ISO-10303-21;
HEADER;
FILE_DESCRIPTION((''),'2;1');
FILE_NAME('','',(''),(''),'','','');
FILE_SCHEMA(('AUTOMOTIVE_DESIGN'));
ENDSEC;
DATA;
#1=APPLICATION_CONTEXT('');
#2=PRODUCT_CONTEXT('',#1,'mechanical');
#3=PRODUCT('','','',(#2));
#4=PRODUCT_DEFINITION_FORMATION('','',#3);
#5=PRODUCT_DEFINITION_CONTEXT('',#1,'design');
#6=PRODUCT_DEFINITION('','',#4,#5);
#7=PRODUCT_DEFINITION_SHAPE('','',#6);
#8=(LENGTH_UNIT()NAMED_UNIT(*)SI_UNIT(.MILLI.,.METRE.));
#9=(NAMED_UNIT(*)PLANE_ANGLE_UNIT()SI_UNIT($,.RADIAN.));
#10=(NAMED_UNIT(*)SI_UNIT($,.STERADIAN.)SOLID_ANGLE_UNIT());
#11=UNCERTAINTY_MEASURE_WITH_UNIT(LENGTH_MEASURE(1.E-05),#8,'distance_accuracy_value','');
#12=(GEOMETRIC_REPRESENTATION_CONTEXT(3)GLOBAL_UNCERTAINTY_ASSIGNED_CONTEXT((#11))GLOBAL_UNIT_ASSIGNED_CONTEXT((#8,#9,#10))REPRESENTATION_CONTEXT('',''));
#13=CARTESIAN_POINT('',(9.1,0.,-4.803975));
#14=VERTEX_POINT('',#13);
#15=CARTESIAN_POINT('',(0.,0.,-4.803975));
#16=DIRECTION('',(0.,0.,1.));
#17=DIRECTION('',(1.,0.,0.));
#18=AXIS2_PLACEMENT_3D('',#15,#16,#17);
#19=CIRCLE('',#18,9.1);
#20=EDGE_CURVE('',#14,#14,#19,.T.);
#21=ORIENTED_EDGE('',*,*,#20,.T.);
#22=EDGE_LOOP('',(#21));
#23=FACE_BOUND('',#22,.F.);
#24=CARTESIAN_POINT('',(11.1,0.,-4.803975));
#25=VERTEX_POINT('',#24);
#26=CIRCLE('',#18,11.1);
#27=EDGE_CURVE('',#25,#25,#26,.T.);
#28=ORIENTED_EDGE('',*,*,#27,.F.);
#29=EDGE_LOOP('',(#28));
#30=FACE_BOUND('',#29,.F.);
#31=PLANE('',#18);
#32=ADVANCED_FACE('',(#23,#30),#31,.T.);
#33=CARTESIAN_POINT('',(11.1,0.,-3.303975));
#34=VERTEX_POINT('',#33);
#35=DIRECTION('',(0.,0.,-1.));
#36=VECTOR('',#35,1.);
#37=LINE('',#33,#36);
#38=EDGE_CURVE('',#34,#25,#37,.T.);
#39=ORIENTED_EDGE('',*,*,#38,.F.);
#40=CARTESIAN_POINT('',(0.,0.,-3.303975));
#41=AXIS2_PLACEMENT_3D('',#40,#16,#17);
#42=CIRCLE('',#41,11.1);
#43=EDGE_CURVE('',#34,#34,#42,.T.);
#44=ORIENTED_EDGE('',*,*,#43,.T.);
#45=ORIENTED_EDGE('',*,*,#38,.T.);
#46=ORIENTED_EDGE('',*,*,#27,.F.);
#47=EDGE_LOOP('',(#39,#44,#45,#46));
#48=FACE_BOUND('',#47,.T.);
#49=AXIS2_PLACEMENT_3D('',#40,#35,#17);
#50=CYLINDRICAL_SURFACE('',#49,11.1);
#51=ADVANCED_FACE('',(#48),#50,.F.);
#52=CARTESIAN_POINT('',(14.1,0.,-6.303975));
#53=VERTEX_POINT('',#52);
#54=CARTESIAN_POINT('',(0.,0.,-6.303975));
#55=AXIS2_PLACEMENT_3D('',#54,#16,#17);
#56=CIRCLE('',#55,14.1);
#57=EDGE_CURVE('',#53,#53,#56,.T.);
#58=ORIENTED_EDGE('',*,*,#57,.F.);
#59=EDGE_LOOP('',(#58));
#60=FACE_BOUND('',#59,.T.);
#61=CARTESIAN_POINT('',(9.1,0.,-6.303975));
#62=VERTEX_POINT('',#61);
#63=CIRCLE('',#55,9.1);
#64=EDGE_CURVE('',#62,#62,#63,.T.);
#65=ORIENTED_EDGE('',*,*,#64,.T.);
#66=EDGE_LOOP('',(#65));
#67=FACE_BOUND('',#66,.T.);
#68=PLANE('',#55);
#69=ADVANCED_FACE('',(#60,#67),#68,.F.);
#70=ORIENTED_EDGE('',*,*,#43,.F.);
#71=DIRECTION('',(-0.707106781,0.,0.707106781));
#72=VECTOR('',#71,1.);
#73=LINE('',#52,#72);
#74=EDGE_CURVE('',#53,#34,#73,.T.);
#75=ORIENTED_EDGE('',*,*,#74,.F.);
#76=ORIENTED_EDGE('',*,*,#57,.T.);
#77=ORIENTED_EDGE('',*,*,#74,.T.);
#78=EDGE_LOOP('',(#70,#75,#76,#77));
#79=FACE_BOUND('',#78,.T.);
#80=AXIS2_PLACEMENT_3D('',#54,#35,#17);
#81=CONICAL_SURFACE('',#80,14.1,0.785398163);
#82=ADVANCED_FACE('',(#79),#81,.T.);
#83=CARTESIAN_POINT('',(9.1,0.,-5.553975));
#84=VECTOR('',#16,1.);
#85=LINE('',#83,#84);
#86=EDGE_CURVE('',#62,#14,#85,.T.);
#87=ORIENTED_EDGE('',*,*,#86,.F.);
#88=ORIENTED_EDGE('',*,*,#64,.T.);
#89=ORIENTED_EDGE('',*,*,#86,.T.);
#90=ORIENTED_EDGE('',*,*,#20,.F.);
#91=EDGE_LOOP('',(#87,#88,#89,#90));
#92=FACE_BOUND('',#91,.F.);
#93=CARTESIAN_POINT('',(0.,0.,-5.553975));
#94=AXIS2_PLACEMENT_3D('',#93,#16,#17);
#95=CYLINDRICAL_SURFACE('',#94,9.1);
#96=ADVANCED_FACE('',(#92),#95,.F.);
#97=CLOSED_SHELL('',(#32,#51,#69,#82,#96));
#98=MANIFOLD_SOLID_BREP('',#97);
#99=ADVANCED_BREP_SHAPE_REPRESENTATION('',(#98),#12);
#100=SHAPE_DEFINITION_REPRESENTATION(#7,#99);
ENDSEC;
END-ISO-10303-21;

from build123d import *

# Parameters (mm, degrees)
F0_W = 2
F0_H = 1.5


with BuildPart() as f1:
    # F0 (on Front) → F1 (revolve)
    with BuildSketch(Plane.XZ):
        Polygon((14.1, -6.303975), (11.1, -3.303975), (11.1, -4.803975), (11.1, -6.303975), align=None)
        with Locations((10.1, -5.553975)):
            Rectangle(F0_W, F0_H)
    revolve(axis=Axis((0, 0, 0.589413), (0, 0, 1)))


solid = f1.part
